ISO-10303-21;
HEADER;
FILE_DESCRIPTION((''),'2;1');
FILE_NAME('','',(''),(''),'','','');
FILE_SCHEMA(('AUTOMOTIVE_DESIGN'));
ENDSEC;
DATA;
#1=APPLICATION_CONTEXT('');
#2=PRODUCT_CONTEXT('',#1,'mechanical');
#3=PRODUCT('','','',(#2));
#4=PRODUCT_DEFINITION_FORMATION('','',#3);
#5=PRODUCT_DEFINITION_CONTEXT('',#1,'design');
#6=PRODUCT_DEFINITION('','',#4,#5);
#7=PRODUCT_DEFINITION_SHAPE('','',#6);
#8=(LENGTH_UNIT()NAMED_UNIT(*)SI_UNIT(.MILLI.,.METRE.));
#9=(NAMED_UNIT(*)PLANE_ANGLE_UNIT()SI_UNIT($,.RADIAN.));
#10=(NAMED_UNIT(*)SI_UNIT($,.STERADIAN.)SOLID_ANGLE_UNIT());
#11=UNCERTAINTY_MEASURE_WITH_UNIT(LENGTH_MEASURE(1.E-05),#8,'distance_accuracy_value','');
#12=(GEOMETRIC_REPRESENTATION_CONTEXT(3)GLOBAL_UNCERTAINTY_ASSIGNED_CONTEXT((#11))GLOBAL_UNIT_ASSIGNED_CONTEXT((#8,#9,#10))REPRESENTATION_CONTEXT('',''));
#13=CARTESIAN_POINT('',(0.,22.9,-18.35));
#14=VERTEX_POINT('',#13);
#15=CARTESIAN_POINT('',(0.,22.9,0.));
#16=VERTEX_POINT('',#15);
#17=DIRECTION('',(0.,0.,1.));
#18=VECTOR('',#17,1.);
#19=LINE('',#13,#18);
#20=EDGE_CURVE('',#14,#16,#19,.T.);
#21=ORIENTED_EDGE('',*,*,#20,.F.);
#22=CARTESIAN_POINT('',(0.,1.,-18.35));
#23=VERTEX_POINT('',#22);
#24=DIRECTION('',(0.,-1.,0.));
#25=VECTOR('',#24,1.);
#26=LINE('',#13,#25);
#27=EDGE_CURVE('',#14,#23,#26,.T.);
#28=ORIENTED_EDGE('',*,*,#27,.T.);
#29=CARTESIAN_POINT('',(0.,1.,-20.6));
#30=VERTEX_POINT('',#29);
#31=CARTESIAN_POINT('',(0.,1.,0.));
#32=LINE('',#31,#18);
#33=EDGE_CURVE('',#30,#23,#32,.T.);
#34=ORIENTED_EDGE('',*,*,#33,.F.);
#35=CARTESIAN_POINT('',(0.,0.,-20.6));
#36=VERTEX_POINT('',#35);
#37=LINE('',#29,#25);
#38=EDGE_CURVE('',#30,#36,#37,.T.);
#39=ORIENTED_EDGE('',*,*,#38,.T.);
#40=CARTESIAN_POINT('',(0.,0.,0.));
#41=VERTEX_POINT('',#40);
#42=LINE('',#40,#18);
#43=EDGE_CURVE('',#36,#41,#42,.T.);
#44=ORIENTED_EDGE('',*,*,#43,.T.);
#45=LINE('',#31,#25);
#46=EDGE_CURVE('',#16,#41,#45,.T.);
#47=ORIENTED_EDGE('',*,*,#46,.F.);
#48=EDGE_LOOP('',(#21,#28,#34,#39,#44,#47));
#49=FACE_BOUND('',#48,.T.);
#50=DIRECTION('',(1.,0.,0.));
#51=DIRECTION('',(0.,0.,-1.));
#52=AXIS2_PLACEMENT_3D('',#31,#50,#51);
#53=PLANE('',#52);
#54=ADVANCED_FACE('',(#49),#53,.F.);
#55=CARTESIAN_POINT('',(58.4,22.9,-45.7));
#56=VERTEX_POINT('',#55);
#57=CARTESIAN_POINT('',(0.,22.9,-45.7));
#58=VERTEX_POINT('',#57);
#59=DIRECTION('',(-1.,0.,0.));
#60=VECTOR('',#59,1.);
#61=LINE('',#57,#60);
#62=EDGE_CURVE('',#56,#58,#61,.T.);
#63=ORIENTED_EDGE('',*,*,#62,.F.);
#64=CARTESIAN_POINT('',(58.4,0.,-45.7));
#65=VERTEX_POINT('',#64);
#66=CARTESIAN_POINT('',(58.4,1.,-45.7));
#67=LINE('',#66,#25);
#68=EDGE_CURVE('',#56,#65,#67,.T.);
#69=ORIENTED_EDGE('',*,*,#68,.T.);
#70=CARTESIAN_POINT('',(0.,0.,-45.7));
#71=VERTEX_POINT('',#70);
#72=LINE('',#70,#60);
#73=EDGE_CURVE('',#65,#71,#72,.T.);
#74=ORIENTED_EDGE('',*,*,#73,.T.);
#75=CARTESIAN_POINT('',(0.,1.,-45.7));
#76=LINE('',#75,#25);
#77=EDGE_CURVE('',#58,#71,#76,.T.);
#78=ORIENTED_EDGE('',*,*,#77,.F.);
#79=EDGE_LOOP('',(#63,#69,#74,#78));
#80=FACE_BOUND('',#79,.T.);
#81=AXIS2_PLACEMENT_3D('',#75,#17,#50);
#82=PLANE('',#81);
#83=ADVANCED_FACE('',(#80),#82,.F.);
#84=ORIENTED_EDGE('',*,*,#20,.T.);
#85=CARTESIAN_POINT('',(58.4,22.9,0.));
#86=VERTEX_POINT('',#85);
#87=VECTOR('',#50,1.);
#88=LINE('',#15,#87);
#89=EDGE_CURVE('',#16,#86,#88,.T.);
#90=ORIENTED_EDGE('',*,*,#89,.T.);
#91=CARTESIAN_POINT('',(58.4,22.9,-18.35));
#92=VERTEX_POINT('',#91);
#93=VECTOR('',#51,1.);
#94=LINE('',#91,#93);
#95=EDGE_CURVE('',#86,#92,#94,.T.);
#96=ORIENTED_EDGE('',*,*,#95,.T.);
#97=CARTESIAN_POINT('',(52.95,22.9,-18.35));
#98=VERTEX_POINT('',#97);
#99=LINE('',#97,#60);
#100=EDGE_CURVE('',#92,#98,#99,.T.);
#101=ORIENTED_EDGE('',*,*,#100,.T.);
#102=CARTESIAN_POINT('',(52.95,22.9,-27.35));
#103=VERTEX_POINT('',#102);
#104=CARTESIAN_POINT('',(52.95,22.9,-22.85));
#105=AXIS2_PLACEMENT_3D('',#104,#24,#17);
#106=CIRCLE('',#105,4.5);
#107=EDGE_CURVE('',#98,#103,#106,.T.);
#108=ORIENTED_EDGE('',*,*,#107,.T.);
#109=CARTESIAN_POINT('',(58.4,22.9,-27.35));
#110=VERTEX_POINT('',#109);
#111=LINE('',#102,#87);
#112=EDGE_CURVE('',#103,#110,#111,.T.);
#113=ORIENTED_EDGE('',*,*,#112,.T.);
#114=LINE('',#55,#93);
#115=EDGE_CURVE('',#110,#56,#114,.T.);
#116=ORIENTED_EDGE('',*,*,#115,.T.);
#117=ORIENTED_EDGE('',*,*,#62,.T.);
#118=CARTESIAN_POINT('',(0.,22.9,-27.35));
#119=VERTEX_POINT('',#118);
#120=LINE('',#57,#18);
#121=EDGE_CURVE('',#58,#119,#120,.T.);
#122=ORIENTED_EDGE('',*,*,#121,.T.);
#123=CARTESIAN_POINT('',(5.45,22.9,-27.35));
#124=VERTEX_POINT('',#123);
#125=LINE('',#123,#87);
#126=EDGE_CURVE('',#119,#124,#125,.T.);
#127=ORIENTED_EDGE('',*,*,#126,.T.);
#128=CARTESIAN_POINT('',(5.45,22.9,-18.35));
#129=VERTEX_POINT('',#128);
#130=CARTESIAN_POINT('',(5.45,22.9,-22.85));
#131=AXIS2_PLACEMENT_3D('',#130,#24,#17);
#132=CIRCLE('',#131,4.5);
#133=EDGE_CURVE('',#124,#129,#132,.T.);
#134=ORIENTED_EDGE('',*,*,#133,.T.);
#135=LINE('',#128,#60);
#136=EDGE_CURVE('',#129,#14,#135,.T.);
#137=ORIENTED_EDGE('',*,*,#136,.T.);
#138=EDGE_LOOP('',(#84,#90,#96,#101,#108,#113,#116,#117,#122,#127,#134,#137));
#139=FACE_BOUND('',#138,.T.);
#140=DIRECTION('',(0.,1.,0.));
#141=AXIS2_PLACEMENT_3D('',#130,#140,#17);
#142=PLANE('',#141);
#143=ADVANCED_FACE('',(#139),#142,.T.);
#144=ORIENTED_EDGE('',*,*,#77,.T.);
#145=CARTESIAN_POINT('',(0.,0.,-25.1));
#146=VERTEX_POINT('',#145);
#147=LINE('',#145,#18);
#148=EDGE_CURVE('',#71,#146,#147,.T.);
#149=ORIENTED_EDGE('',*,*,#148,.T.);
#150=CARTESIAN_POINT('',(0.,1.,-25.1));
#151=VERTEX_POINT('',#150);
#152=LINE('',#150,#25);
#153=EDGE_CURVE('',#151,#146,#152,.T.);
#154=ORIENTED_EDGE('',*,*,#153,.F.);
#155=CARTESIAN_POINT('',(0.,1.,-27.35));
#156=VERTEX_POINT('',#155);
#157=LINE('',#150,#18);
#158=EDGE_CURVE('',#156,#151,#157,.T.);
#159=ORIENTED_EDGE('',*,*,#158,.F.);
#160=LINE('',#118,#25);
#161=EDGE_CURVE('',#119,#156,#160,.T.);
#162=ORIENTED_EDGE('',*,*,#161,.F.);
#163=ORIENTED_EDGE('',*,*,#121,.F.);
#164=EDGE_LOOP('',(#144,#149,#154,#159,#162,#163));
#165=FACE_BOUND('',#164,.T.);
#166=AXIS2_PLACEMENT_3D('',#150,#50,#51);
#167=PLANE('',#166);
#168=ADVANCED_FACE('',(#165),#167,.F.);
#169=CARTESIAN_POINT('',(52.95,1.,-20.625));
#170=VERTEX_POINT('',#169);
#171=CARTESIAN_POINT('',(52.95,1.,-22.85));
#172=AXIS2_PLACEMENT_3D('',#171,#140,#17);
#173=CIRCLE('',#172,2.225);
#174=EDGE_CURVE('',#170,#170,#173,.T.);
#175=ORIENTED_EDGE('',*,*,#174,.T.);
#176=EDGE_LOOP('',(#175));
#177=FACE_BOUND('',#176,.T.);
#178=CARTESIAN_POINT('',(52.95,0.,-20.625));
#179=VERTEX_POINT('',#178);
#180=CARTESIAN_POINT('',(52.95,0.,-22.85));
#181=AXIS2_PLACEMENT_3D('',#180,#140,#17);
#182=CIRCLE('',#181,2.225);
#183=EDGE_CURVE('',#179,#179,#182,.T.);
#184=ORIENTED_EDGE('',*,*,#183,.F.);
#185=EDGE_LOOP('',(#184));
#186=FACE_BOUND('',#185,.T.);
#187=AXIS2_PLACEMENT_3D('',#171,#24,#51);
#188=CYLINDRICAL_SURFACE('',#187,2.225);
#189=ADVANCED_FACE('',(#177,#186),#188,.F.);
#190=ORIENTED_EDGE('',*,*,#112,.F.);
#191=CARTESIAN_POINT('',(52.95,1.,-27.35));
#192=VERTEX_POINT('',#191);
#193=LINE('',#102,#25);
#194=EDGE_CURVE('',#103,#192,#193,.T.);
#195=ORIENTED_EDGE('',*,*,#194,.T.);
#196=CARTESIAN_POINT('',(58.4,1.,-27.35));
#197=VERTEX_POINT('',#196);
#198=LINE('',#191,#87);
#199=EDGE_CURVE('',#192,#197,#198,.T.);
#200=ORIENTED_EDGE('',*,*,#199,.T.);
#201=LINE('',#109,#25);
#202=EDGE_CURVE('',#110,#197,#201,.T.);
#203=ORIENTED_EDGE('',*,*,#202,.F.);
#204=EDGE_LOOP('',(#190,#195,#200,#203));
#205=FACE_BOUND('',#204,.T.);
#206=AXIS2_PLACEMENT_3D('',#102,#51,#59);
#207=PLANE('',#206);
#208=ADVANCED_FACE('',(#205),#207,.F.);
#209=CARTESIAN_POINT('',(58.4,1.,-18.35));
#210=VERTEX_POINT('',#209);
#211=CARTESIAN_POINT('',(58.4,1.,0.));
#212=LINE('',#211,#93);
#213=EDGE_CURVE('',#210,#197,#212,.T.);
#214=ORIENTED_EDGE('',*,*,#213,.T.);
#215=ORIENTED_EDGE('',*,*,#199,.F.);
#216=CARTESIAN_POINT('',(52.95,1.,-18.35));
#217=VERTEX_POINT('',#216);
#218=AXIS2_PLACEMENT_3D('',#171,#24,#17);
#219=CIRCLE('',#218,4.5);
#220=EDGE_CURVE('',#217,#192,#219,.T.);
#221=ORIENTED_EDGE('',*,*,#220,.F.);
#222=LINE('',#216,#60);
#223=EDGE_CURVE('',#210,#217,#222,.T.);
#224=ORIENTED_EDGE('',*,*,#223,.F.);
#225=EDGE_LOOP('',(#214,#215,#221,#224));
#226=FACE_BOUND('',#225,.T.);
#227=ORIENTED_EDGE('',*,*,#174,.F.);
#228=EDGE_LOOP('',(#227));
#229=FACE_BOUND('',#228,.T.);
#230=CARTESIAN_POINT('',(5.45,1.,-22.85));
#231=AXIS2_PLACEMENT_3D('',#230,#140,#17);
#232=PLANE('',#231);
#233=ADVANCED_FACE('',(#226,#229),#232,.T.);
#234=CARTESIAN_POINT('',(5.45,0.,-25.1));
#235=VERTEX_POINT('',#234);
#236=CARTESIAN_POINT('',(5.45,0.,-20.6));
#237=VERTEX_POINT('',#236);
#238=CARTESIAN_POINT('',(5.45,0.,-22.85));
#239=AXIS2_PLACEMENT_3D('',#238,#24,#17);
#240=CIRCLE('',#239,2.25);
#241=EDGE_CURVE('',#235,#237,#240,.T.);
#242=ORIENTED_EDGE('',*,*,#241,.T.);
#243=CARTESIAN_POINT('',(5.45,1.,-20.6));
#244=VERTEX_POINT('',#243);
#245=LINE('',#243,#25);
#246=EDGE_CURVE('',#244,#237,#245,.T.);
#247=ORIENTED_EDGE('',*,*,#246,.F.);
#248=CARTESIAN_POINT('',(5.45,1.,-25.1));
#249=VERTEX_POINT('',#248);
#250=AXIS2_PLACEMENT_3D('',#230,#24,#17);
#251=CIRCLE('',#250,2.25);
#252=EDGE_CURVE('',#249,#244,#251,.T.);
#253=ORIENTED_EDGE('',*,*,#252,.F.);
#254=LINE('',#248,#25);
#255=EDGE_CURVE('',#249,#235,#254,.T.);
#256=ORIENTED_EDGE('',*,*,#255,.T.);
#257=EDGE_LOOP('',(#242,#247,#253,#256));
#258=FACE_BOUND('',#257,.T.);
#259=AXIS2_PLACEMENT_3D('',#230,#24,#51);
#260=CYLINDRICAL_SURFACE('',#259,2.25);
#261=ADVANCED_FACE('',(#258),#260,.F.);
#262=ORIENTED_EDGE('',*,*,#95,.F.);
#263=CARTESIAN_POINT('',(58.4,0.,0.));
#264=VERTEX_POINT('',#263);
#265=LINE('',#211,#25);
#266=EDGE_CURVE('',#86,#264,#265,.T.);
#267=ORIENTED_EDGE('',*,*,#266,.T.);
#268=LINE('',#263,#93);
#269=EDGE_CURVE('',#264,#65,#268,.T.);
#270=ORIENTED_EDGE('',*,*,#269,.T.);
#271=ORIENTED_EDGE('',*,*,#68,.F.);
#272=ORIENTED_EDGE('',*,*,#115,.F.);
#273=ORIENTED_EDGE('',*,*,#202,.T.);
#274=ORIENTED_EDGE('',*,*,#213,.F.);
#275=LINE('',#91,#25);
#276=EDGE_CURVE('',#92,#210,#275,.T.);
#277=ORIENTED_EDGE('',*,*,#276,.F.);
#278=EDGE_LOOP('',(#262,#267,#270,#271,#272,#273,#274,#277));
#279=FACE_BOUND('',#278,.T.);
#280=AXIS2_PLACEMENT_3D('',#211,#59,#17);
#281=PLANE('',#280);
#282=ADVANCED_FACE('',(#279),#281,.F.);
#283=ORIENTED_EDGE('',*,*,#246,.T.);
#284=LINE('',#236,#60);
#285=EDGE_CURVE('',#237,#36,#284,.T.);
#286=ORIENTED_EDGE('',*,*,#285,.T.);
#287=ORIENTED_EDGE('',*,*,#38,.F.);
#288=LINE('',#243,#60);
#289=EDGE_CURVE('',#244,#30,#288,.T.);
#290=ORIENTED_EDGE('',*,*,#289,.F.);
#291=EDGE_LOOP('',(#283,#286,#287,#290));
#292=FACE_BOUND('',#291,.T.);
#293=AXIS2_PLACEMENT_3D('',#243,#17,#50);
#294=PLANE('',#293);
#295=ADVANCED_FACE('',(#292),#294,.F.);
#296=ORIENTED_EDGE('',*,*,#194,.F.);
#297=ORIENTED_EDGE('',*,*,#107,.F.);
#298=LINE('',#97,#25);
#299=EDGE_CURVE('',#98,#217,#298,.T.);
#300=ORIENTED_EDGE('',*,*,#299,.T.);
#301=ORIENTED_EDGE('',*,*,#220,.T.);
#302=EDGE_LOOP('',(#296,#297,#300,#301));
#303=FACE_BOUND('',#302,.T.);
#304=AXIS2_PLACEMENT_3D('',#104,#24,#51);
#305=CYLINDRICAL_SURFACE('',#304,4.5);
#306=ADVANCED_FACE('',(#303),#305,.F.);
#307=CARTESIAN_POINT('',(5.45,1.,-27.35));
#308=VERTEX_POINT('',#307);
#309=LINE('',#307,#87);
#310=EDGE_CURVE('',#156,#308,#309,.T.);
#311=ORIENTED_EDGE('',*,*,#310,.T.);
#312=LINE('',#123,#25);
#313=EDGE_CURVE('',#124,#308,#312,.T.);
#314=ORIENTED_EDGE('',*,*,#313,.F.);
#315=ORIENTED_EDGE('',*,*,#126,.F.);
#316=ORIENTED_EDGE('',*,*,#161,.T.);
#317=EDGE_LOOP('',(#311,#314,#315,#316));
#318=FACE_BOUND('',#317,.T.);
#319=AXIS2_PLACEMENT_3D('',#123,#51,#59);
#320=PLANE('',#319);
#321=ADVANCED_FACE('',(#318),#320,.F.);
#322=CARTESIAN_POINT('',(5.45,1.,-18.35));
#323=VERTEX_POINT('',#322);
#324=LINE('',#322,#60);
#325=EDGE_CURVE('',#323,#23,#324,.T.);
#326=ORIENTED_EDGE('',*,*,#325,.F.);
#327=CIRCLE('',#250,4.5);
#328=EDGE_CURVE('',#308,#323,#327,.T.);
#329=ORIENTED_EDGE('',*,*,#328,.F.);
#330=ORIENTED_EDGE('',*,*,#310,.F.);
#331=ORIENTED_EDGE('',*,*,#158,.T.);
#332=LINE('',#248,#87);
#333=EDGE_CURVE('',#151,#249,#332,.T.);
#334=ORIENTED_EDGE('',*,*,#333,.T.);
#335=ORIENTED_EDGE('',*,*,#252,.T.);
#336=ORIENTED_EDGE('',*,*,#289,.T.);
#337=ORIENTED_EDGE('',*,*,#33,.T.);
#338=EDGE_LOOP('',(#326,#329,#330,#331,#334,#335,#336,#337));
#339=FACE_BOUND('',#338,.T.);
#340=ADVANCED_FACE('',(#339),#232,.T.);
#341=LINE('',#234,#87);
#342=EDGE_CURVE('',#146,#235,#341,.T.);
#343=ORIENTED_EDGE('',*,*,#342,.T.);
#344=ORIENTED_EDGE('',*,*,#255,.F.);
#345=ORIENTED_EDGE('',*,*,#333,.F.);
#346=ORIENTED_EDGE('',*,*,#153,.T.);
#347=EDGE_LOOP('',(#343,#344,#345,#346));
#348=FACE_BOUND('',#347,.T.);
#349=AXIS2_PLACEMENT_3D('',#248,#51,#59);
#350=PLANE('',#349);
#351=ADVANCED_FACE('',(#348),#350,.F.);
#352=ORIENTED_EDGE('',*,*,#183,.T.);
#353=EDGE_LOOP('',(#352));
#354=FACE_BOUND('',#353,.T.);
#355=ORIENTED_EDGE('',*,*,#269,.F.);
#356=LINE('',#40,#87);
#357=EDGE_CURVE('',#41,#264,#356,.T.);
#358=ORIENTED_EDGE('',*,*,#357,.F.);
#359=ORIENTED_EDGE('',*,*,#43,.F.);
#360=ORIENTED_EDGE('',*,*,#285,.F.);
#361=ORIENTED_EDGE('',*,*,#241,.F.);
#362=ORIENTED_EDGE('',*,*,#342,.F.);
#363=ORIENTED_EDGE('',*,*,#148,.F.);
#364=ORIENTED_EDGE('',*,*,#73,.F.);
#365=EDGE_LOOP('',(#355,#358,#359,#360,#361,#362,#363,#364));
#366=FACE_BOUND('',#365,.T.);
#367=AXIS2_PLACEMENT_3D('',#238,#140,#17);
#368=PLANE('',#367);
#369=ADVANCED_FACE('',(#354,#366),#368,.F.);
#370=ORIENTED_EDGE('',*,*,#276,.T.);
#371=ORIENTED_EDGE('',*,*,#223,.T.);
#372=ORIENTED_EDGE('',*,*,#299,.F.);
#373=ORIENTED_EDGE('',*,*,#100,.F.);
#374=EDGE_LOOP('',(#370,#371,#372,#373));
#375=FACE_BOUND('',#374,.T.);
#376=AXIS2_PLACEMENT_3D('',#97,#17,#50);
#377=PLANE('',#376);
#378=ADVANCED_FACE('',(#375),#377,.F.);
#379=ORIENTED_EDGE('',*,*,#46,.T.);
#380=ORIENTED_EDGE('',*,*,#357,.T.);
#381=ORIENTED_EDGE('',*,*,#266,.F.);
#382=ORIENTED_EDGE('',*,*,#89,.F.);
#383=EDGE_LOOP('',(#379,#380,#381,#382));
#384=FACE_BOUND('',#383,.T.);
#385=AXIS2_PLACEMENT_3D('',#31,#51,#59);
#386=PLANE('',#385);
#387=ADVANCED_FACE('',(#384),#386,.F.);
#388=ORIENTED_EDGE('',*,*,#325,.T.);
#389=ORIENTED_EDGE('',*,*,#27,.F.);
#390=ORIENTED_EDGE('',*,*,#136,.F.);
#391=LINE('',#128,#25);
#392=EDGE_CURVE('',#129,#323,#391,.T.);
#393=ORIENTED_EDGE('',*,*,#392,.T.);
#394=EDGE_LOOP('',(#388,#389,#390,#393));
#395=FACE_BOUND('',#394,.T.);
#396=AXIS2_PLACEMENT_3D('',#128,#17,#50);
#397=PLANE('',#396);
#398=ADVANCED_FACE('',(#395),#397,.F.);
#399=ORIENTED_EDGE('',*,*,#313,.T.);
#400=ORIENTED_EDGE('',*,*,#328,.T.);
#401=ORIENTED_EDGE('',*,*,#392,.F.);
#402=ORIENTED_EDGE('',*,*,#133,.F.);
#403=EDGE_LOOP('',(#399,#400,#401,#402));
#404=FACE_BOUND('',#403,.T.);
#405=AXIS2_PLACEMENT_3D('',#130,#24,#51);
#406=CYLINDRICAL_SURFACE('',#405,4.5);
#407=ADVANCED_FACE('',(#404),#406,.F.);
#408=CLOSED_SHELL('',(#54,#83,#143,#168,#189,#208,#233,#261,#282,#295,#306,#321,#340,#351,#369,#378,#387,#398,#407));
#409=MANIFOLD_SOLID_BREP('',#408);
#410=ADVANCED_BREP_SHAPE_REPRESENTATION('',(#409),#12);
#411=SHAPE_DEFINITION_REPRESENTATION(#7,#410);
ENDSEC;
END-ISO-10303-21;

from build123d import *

# Parameters (mm, degrees)
SKETCH1_R           = 2.225
BASEPLATE_DEPTH     = 1
BOSS_EXTRUDE4_DEPTH = 21.9


with BuildPart() as part:
    # Sketch1 → BasePlate (new body)
    with BuildSketch(Plane(origin=(0, 0, 0), x_dir=(1, 0, 0), z_dir=(0, 1, 0))):
        with BuildLine():
            Line((5.45, 25.1), (0, 25.1))
            Line((0, 25.1), (0, 45.7))
            Line((0, 45.7), (58.4, 45.7))
            Line((58.4, 45.7), (58.4, 0))
            Line((58.4, 0), (0, 0))
            Line((0, 0), (0, 20.6))
            Line((0, 20.6), (5.45, 20.6))
            ThreePointArc((5.45, 20.6), (7.7, 22.85), (5.45, 25.1))
        make_face()
        with Locations((52.95, 22.85)):
            Circle(SKETCH1_R, mode=Mode.SUBTRACT)
    extrude(amount=BASEPLATE_DEPTH)

    # Sketch2 → Boss-Extrude4 (add)
    with BuildSketch(Plane(origin=(0, 1, 0), x_dir=(1, 0, 0), z_dir=(0, 1, 0))):
        with BuildLine():
            Line((52.95, 27.35), (58.4, 27.35))
            Line((58.4, 27.35), (58.4, 45.7))
            Line((58.4, 45.7), (0, 45.7))
            Line((0, 45.7), (0, 27.35))
            Line((0, 27.35), (5.45, 27.35))
            ThreePointArc((5.45, 27.35), (9.95, 22.85), (5.45, 18.35))
            Line((5.45, 18.35), (0, 18.35))
            Line((0, 18.35), (0, 0))
            Line((0, 0), (58.4, 0))
            Line((58.4, 0), (58.4, 18.35))
            Line((58.4, 18.35), (52.95, 18.35))
            ThreePointArc((52.95, 18.35), (48.45, 22.85), (52.95, 27.35))
        make_face()
    extrude(amount=BOSS_EXTRUDE4_DEPTH)


solid = part.part
